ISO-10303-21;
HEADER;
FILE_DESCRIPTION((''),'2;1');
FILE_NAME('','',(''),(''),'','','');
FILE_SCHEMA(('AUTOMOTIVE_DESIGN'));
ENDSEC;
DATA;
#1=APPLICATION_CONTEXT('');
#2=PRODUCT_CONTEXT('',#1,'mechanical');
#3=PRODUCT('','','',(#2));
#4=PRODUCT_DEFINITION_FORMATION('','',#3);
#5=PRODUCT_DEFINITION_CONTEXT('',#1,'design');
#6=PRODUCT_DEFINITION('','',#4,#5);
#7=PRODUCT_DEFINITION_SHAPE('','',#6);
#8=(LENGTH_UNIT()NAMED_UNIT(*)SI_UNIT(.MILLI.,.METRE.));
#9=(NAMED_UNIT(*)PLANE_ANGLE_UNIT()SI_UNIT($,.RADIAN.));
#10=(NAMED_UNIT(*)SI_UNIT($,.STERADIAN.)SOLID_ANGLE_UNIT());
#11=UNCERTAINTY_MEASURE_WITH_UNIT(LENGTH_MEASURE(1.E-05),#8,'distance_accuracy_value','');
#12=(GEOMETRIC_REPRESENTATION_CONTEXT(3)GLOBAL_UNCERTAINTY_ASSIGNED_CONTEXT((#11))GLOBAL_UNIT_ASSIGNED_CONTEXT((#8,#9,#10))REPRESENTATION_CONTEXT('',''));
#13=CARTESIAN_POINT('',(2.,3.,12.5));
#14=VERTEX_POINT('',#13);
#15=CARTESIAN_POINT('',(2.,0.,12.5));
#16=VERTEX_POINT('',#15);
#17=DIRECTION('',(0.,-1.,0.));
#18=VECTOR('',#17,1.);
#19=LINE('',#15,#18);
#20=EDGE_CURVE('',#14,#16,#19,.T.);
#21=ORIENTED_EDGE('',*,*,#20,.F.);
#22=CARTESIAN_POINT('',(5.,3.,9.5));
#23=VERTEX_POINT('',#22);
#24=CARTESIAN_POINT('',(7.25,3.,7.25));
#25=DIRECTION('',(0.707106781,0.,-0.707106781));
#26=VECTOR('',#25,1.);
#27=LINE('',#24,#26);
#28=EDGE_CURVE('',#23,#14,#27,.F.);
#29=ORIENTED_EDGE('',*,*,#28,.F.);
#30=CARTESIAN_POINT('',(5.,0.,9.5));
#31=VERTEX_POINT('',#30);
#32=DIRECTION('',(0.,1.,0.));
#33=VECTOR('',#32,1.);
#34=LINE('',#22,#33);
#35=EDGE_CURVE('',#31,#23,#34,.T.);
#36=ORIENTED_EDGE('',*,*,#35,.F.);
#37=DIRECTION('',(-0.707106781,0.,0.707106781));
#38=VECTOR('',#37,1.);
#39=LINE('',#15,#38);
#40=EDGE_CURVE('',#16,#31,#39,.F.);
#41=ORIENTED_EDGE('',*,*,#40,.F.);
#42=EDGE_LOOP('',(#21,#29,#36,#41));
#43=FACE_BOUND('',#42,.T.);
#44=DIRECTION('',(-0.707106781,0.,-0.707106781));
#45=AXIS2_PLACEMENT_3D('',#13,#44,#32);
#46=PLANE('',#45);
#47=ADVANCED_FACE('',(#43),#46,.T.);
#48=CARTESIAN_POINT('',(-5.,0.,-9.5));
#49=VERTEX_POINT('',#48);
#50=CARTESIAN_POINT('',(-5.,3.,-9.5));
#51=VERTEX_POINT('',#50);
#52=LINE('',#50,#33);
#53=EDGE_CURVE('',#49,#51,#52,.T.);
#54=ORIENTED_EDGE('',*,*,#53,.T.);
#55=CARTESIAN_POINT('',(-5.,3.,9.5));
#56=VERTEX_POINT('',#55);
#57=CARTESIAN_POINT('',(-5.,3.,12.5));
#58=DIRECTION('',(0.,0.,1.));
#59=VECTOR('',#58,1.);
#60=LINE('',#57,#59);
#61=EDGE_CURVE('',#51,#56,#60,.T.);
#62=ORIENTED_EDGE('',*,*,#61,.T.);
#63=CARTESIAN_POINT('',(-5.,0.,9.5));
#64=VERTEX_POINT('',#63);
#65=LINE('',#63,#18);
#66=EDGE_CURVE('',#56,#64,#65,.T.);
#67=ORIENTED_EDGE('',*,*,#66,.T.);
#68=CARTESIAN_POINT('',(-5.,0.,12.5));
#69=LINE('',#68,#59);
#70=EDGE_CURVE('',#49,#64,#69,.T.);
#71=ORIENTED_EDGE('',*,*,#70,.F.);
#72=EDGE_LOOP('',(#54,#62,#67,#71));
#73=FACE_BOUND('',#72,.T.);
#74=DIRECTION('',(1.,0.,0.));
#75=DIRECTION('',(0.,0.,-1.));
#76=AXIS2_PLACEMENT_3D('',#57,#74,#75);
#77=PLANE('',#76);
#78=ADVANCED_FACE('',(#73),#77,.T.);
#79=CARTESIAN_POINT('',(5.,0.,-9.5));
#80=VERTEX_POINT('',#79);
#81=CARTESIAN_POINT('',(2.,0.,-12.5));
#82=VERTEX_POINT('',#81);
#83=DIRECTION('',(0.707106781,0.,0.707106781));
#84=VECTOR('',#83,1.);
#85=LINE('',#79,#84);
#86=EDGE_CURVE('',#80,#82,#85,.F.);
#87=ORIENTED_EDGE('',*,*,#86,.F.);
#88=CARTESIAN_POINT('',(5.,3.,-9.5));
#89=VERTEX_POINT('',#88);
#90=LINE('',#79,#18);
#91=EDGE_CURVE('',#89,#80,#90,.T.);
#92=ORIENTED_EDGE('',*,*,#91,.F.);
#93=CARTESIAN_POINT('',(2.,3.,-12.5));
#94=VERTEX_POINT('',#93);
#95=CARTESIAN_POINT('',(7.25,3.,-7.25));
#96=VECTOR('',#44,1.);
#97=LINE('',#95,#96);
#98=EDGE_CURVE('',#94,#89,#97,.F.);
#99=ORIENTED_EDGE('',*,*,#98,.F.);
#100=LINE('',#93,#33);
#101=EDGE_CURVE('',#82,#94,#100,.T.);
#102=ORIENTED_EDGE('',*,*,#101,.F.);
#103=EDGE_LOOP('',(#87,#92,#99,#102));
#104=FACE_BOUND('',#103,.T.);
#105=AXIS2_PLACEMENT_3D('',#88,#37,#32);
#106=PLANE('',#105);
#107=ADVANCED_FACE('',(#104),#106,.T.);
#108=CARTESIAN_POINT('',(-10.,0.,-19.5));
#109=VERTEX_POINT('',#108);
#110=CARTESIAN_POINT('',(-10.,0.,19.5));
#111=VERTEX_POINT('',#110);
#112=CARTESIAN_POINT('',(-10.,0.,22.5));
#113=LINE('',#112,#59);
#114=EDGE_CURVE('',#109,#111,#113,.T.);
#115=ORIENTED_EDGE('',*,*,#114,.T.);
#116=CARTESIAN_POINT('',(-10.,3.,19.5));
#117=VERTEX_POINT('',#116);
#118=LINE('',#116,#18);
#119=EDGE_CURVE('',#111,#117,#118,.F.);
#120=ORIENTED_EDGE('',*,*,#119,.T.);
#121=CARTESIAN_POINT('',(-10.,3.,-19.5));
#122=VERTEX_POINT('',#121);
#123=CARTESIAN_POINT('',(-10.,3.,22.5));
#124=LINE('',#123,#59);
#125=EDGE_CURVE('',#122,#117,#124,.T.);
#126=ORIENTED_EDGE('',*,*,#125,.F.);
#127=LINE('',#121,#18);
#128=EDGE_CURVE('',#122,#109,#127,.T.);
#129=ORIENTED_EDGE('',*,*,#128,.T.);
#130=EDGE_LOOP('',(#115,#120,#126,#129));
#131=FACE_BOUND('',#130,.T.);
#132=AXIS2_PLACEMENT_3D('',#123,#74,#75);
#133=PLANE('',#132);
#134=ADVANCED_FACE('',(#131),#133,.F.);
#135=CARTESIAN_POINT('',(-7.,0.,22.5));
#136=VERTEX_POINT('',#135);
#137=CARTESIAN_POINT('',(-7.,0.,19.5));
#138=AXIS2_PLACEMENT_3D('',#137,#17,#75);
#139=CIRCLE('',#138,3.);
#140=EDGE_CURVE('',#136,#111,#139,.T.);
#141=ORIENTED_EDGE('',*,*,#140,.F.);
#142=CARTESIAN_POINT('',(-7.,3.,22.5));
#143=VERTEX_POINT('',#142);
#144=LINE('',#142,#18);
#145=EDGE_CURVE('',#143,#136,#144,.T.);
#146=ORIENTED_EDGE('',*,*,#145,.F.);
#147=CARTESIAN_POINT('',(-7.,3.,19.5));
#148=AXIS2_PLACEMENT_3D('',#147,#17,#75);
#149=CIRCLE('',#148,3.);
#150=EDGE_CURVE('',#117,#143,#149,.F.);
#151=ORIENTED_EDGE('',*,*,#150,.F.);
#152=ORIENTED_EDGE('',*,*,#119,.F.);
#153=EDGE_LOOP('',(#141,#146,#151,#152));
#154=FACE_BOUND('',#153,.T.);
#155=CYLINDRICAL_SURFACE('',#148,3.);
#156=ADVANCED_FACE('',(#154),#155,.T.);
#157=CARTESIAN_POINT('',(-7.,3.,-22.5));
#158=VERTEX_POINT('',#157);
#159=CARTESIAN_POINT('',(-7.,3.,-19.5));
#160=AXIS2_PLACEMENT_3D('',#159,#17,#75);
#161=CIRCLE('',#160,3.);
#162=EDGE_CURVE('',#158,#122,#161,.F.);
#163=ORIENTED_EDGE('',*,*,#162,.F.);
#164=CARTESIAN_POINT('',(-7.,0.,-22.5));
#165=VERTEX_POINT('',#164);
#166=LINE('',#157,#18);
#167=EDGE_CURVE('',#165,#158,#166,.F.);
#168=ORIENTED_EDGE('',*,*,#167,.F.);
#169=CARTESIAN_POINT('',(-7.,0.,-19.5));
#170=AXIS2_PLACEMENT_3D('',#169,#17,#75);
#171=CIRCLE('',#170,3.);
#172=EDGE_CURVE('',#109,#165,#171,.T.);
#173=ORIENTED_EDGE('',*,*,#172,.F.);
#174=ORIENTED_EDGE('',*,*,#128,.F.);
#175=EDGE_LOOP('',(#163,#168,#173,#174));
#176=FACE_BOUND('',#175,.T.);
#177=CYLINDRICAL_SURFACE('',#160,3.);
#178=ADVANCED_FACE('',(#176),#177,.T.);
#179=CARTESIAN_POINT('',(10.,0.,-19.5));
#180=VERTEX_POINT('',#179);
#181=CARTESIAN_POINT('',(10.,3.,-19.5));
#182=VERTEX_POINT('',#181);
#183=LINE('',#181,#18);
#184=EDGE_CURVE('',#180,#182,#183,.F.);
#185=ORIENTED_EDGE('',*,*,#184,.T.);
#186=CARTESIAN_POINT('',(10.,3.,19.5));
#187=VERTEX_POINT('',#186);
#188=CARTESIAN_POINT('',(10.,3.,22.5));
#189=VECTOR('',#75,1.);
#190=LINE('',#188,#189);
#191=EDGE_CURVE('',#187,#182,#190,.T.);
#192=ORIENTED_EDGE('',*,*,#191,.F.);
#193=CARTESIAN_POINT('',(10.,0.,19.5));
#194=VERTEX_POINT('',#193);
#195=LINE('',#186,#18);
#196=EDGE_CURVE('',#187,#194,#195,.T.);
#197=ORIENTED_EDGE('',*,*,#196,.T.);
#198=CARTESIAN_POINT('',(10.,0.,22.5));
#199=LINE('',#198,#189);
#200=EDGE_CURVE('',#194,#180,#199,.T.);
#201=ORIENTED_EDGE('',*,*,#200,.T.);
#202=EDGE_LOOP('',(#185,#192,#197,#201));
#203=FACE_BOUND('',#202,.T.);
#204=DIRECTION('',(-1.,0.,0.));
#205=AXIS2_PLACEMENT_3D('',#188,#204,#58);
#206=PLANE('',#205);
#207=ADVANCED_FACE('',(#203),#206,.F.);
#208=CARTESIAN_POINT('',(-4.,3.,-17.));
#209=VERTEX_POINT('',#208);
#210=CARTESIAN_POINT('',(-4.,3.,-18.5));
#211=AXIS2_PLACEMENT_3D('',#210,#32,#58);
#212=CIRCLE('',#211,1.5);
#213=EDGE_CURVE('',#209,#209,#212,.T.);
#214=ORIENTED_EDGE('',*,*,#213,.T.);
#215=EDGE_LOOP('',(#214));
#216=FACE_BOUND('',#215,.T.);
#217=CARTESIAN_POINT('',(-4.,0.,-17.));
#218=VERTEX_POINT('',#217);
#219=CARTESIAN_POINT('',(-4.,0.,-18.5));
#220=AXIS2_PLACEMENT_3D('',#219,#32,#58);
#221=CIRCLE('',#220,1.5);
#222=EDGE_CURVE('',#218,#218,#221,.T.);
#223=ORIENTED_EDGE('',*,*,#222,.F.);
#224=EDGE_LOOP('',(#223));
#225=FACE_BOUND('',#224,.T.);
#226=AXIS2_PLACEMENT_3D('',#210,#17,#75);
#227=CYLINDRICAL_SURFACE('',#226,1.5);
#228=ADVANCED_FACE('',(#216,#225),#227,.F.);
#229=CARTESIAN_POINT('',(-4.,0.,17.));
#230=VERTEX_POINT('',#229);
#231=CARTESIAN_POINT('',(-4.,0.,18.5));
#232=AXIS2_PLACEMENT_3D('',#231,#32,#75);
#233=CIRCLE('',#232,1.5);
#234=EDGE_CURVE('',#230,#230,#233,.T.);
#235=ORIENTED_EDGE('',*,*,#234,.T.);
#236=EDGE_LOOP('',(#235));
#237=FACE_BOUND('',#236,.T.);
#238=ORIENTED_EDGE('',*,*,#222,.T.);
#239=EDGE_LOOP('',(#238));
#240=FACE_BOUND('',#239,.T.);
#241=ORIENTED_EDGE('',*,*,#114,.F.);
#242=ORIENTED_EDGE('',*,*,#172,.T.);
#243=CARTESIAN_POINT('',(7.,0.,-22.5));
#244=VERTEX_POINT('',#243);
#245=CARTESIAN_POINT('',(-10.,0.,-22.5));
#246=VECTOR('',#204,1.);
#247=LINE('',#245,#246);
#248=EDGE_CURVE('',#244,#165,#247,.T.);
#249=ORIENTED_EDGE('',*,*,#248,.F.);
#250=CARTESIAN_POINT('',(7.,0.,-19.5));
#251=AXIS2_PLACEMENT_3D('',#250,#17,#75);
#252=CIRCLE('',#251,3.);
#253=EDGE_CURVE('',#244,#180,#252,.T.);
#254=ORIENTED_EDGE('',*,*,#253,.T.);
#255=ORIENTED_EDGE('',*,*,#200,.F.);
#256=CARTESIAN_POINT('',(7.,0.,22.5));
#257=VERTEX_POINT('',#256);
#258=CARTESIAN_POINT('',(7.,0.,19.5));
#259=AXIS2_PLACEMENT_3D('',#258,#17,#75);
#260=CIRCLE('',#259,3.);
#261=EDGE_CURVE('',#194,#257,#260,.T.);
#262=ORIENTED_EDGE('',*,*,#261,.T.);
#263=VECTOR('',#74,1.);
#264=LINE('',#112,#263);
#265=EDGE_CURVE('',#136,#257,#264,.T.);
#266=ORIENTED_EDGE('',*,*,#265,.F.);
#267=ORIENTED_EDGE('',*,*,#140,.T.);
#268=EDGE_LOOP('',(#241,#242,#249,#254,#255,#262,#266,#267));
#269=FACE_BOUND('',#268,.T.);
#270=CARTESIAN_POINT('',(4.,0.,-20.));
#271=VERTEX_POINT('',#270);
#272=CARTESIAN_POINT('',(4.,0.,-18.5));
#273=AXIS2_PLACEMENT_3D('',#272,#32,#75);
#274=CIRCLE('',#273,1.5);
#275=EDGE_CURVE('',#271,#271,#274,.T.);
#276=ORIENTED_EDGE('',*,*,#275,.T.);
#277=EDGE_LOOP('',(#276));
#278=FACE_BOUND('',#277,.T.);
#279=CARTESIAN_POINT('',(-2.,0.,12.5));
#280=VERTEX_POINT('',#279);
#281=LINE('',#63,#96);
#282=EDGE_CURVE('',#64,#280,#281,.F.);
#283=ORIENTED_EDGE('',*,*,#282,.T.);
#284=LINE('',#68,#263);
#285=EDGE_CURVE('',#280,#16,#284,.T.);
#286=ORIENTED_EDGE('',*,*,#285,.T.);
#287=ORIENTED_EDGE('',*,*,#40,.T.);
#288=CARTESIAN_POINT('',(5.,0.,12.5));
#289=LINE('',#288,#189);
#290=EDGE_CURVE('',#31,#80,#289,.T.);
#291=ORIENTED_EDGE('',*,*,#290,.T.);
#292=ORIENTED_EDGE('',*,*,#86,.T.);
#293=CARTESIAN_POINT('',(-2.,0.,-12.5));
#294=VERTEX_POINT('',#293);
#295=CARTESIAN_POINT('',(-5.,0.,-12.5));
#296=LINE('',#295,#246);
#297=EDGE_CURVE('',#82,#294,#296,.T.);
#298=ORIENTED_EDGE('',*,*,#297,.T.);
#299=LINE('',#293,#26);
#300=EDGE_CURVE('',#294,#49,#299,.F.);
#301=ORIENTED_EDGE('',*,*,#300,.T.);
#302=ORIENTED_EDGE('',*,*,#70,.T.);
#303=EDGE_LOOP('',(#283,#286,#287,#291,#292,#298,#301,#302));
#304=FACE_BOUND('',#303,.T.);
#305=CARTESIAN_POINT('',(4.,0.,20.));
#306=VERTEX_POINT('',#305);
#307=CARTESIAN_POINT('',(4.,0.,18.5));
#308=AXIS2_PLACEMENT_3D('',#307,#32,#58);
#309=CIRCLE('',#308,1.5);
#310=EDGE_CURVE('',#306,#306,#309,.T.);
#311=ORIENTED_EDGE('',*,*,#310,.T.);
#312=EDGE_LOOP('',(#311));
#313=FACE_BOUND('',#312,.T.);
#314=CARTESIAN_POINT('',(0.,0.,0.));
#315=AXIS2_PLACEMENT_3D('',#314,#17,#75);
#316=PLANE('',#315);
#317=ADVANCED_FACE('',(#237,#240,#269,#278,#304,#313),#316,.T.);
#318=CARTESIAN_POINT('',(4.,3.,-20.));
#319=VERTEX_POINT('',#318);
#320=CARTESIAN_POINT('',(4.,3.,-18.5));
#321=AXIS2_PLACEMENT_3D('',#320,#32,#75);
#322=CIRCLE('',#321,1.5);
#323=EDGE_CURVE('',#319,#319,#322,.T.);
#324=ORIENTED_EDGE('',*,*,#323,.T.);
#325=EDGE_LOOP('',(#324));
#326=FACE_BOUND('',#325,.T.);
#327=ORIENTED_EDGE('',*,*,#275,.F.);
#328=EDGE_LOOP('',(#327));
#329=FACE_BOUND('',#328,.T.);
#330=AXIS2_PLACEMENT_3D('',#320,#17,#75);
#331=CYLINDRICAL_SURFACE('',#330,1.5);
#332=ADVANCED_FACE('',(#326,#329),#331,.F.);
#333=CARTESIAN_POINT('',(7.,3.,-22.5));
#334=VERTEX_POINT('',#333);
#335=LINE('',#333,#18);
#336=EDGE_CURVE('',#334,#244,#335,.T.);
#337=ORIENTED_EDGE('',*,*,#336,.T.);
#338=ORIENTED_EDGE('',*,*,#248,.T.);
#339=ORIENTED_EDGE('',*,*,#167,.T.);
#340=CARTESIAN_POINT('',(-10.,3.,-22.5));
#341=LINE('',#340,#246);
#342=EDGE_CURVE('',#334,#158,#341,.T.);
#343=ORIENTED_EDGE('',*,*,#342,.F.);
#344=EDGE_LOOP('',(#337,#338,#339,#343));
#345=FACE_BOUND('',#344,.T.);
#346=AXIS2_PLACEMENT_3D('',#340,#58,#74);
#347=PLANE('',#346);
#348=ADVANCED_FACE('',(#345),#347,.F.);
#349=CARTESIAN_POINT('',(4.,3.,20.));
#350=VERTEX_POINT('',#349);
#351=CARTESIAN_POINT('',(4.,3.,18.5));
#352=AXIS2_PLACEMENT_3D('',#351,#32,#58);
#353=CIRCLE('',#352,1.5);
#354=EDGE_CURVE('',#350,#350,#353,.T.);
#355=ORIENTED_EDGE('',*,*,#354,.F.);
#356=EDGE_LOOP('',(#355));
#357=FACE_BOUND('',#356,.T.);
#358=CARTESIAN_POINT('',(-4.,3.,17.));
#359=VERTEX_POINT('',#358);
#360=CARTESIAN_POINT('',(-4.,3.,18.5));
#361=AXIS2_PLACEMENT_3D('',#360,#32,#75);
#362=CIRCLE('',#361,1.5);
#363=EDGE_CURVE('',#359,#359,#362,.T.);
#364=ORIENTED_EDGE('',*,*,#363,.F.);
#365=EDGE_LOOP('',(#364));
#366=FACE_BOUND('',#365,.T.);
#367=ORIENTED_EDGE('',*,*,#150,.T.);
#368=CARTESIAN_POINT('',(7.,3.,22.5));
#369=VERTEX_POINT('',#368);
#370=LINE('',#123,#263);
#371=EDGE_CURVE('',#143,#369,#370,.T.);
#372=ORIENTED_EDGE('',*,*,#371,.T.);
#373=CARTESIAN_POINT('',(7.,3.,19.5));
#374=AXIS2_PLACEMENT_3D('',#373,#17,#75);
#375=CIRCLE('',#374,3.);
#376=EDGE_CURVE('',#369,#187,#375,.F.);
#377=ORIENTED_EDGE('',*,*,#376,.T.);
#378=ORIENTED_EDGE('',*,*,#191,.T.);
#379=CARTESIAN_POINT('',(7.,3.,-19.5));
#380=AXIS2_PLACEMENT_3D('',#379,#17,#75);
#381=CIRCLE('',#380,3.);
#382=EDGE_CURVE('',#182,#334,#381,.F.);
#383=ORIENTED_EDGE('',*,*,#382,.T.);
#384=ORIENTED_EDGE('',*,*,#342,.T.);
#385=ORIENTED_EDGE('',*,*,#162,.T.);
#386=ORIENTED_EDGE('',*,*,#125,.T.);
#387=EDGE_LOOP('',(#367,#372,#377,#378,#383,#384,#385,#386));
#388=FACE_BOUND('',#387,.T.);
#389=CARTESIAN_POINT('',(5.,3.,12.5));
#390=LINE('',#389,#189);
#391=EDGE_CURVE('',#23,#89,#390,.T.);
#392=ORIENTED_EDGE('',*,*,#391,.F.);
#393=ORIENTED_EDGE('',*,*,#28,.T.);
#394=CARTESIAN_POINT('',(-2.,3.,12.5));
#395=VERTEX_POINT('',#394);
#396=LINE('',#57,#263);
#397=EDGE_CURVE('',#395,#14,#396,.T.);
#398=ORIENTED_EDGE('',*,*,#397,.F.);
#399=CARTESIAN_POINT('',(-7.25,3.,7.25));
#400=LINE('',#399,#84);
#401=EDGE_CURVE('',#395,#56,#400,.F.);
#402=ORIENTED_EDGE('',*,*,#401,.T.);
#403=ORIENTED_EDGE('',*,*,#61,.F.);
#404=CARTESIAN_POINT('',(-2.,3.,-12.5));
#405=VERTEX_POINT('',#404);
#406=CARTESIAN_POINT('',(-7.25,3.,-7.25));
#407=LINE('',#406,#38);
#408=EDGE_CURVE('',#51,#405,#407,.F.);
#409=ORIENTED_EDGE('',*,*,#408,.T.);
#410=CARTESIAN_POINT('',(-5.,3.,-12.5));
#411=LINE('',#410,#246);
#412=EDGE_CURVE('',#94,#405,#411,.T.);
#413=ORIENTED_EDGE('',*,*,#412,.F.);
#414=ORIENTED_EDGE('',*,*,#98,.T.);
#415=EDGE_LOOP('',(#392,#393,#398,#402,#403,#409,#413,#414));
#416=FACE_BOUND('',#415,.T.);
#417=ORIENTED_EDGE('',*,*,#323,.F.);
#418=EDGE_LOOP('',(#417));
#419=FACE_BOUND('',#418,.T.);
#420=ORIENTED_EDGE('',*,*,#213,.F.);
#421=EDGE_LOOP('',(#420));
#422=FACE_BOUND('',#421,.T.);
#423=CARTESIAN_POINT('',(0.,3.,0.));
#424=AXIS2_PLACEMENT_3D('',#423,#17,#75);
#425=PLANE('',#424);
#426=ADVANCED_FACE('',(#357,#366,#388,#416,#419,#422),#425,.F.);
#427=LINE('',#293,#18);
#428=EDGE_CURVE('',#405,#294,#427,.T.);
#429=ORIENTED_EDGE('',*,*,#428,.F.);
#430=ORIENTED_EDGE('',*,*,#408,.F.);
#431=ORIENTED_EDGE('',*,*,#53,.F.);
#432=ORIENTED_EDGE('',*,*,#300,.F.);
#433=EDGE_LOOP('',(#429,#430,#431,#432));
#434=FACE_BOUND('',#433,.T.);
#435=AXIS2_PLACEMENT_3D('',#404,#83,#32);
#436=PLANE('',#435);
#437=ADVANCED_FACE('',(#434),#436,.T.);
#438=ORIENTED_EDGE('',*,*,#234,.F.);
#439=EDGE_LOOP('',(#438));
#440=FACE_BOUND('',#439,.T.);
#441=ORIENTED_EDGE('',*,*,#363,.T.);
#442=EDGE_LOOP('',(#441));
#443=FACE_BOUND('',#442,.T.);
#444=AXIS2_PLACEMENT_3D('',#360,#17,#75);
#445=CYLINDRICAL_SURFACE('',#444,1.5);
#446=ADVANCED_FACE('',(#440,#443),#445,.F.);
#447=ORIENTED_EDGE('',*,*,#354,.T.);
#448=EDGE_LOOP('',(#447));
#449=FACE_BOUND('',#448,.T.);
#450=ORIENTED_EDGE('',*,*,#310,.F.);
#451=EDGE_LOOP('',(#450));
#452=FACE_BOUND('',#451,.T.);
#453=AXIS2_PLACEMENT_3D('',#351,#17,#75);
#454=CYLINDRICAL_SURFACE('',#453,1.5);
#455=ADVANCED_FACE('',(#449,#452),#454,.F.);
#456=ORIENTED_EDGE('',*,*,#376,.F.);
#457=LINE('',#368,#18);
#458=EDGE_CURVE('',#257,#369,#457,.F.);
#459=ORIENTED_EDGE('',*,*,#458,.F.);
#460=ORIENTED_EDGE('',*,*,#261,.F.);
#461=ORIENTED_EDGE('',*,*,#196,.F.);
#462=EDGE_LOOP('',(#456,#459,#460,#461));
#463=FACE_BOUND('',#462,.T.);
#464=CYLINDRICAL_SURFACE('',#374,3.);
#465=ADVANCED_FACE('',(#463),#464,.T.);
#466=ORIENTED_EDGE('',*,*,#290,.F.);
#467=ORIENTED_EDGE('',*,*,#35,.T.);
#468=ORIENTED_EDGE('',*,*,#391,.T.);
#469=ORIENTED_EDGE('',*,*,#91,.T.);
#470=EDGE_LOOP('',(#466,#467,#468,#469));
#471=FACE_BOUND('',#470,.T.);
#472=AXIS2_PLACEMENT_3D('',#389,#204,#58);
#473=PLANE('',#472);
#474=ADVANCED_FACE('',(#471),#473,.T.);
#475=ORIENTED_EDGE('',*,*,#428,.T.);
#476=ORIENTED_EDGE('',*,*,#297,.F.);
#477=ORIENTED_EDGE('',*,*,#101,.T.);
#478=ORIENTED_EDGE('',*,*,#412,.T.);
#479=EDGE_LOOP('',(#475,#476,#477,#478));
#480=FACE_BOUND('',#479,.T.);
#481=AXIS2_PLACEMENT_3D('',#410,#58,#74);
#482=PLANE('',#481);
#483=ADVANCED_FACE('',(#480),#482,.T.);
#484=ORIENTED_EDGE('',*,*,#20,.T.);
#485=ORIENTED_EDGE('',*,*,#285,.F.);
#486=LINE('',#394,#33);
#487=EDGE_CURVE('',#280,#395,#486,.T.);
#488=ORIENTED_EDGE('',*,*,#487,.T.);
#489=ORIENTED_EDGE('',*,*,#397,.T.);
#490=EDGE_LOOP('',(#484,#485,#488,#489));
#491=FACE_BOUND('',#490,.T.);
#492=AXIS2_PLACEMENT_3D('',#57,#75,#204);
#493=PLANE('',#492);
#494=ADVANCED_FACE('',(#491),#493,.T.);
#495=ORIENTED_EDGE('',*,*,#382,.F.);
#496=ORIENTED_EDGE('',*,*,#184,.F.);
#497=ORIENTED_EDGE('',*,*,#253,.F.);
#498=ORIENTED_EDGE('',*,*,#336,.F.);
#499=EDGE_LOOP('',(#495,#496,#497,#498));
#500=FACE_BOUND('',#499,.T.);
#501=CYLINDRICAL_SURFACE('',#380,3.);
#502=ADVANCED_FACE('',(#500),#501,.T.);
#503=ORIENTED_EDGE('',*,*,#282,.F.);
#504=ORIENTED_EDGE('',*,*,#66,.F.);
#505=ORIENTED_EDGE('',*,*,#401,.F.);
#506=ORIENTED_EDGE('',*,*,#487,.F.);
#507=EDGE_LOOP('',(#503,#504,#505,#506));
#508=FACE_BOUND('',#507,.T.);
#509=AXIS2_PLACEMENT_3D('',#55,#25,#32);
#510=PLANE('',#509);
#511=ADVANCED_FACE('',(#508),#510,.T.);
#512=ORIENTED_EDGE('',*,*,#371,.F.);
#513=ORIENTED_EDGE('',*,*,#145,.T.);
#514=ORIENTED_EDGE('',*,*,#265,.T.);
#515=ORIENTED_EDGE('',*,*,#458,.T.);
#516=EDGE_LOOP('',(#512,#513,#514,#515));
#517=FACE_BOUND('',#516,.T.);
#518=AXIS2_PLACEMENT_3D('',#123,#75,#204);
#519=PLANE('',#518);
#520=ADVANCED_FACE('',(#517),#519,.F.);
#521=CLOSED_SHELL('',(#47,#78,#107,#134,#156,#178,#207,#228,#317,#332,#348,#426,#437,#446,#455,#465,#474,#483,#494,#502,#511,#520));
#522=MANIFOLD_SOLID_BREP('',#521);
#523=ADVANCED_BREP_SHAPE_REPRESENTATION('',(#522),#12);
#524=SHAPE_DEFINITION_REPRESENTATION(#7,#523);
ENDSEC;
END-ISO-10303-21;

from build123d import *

# Parameters (mm, degrees)
SKETCH_1_W      = 20
SKETCH_1_H      = 45
SKETCH_1_R      = 1.5
SKETCH_1_W_2    = 10
SKETCH_1_H_2    = 25
EXTRUDE_1_DEPTH = 3
CHAMFER_1_SIZE  = 3
FILLET_1_R      = 3


with BuildPart() as part:
    # 草图1 → 凸台-拉伸1 (new body)
    with BuildSketch(Plane(origin=(0, 0, 0), x_dir=(1, 0, 0), z_dir=(0, 1, 0))):
        Rectangle(SKETCH_1_W, SKETCH_1_H)
        with Locations(Location((-4, 18.5, 0), (0, 0, 270))):
            Circle(SKETCH_1_R, mode=Mode.SUBTRACT)
        with Locations(Location((4, 18.5, 0), (0, 0, 90))):
            Circle(SKETCH_1_R, mode=Mode.SUBTRACT)
        with Locations(Location((4, -18.5, 0), (0, 0, 270))):
            Circle(SKETCH_1_R, mode=Mode.SUBTRACT)
        with Locations(Location((-4, -18.5, 0), (0, 0, 90))):
            Circle(SKETCH_1_R, mode=Mode.SUBTRACT)
        Rectangle(SKETCH_1_W_2, SKETCH_1_H_2, mode=Mode.SUBTRACT)
    extrude(amount=EXTRUDE_1_DEPTH)

    # 倒角1
    chamfer_1_edges = [part.edges().sort_by_distance(p)[0] for p in [
        (5, 1.5, 12.5),
        (5, 1.5, -12.5),
        (-5, 1.5, -12.5),
        (-5, 1.5, 12.5),
    ]]
    chamfer(chamfer_1_edges, length=CHAMFER_1_SIZE)

    # 圆角1
    fillet_1_edges = [part.edges().sort_by_distance(p)[0] for p in [
        (10, 1.5, 22.5),
        (-10, 1.5, 22.5),
        (-10, 1.5, -22.5),
        (10, 1.5, -22.5),
    ]]
    fillet(fillet_1_edges, radius=FILLET_1_R)


solid = part.part
